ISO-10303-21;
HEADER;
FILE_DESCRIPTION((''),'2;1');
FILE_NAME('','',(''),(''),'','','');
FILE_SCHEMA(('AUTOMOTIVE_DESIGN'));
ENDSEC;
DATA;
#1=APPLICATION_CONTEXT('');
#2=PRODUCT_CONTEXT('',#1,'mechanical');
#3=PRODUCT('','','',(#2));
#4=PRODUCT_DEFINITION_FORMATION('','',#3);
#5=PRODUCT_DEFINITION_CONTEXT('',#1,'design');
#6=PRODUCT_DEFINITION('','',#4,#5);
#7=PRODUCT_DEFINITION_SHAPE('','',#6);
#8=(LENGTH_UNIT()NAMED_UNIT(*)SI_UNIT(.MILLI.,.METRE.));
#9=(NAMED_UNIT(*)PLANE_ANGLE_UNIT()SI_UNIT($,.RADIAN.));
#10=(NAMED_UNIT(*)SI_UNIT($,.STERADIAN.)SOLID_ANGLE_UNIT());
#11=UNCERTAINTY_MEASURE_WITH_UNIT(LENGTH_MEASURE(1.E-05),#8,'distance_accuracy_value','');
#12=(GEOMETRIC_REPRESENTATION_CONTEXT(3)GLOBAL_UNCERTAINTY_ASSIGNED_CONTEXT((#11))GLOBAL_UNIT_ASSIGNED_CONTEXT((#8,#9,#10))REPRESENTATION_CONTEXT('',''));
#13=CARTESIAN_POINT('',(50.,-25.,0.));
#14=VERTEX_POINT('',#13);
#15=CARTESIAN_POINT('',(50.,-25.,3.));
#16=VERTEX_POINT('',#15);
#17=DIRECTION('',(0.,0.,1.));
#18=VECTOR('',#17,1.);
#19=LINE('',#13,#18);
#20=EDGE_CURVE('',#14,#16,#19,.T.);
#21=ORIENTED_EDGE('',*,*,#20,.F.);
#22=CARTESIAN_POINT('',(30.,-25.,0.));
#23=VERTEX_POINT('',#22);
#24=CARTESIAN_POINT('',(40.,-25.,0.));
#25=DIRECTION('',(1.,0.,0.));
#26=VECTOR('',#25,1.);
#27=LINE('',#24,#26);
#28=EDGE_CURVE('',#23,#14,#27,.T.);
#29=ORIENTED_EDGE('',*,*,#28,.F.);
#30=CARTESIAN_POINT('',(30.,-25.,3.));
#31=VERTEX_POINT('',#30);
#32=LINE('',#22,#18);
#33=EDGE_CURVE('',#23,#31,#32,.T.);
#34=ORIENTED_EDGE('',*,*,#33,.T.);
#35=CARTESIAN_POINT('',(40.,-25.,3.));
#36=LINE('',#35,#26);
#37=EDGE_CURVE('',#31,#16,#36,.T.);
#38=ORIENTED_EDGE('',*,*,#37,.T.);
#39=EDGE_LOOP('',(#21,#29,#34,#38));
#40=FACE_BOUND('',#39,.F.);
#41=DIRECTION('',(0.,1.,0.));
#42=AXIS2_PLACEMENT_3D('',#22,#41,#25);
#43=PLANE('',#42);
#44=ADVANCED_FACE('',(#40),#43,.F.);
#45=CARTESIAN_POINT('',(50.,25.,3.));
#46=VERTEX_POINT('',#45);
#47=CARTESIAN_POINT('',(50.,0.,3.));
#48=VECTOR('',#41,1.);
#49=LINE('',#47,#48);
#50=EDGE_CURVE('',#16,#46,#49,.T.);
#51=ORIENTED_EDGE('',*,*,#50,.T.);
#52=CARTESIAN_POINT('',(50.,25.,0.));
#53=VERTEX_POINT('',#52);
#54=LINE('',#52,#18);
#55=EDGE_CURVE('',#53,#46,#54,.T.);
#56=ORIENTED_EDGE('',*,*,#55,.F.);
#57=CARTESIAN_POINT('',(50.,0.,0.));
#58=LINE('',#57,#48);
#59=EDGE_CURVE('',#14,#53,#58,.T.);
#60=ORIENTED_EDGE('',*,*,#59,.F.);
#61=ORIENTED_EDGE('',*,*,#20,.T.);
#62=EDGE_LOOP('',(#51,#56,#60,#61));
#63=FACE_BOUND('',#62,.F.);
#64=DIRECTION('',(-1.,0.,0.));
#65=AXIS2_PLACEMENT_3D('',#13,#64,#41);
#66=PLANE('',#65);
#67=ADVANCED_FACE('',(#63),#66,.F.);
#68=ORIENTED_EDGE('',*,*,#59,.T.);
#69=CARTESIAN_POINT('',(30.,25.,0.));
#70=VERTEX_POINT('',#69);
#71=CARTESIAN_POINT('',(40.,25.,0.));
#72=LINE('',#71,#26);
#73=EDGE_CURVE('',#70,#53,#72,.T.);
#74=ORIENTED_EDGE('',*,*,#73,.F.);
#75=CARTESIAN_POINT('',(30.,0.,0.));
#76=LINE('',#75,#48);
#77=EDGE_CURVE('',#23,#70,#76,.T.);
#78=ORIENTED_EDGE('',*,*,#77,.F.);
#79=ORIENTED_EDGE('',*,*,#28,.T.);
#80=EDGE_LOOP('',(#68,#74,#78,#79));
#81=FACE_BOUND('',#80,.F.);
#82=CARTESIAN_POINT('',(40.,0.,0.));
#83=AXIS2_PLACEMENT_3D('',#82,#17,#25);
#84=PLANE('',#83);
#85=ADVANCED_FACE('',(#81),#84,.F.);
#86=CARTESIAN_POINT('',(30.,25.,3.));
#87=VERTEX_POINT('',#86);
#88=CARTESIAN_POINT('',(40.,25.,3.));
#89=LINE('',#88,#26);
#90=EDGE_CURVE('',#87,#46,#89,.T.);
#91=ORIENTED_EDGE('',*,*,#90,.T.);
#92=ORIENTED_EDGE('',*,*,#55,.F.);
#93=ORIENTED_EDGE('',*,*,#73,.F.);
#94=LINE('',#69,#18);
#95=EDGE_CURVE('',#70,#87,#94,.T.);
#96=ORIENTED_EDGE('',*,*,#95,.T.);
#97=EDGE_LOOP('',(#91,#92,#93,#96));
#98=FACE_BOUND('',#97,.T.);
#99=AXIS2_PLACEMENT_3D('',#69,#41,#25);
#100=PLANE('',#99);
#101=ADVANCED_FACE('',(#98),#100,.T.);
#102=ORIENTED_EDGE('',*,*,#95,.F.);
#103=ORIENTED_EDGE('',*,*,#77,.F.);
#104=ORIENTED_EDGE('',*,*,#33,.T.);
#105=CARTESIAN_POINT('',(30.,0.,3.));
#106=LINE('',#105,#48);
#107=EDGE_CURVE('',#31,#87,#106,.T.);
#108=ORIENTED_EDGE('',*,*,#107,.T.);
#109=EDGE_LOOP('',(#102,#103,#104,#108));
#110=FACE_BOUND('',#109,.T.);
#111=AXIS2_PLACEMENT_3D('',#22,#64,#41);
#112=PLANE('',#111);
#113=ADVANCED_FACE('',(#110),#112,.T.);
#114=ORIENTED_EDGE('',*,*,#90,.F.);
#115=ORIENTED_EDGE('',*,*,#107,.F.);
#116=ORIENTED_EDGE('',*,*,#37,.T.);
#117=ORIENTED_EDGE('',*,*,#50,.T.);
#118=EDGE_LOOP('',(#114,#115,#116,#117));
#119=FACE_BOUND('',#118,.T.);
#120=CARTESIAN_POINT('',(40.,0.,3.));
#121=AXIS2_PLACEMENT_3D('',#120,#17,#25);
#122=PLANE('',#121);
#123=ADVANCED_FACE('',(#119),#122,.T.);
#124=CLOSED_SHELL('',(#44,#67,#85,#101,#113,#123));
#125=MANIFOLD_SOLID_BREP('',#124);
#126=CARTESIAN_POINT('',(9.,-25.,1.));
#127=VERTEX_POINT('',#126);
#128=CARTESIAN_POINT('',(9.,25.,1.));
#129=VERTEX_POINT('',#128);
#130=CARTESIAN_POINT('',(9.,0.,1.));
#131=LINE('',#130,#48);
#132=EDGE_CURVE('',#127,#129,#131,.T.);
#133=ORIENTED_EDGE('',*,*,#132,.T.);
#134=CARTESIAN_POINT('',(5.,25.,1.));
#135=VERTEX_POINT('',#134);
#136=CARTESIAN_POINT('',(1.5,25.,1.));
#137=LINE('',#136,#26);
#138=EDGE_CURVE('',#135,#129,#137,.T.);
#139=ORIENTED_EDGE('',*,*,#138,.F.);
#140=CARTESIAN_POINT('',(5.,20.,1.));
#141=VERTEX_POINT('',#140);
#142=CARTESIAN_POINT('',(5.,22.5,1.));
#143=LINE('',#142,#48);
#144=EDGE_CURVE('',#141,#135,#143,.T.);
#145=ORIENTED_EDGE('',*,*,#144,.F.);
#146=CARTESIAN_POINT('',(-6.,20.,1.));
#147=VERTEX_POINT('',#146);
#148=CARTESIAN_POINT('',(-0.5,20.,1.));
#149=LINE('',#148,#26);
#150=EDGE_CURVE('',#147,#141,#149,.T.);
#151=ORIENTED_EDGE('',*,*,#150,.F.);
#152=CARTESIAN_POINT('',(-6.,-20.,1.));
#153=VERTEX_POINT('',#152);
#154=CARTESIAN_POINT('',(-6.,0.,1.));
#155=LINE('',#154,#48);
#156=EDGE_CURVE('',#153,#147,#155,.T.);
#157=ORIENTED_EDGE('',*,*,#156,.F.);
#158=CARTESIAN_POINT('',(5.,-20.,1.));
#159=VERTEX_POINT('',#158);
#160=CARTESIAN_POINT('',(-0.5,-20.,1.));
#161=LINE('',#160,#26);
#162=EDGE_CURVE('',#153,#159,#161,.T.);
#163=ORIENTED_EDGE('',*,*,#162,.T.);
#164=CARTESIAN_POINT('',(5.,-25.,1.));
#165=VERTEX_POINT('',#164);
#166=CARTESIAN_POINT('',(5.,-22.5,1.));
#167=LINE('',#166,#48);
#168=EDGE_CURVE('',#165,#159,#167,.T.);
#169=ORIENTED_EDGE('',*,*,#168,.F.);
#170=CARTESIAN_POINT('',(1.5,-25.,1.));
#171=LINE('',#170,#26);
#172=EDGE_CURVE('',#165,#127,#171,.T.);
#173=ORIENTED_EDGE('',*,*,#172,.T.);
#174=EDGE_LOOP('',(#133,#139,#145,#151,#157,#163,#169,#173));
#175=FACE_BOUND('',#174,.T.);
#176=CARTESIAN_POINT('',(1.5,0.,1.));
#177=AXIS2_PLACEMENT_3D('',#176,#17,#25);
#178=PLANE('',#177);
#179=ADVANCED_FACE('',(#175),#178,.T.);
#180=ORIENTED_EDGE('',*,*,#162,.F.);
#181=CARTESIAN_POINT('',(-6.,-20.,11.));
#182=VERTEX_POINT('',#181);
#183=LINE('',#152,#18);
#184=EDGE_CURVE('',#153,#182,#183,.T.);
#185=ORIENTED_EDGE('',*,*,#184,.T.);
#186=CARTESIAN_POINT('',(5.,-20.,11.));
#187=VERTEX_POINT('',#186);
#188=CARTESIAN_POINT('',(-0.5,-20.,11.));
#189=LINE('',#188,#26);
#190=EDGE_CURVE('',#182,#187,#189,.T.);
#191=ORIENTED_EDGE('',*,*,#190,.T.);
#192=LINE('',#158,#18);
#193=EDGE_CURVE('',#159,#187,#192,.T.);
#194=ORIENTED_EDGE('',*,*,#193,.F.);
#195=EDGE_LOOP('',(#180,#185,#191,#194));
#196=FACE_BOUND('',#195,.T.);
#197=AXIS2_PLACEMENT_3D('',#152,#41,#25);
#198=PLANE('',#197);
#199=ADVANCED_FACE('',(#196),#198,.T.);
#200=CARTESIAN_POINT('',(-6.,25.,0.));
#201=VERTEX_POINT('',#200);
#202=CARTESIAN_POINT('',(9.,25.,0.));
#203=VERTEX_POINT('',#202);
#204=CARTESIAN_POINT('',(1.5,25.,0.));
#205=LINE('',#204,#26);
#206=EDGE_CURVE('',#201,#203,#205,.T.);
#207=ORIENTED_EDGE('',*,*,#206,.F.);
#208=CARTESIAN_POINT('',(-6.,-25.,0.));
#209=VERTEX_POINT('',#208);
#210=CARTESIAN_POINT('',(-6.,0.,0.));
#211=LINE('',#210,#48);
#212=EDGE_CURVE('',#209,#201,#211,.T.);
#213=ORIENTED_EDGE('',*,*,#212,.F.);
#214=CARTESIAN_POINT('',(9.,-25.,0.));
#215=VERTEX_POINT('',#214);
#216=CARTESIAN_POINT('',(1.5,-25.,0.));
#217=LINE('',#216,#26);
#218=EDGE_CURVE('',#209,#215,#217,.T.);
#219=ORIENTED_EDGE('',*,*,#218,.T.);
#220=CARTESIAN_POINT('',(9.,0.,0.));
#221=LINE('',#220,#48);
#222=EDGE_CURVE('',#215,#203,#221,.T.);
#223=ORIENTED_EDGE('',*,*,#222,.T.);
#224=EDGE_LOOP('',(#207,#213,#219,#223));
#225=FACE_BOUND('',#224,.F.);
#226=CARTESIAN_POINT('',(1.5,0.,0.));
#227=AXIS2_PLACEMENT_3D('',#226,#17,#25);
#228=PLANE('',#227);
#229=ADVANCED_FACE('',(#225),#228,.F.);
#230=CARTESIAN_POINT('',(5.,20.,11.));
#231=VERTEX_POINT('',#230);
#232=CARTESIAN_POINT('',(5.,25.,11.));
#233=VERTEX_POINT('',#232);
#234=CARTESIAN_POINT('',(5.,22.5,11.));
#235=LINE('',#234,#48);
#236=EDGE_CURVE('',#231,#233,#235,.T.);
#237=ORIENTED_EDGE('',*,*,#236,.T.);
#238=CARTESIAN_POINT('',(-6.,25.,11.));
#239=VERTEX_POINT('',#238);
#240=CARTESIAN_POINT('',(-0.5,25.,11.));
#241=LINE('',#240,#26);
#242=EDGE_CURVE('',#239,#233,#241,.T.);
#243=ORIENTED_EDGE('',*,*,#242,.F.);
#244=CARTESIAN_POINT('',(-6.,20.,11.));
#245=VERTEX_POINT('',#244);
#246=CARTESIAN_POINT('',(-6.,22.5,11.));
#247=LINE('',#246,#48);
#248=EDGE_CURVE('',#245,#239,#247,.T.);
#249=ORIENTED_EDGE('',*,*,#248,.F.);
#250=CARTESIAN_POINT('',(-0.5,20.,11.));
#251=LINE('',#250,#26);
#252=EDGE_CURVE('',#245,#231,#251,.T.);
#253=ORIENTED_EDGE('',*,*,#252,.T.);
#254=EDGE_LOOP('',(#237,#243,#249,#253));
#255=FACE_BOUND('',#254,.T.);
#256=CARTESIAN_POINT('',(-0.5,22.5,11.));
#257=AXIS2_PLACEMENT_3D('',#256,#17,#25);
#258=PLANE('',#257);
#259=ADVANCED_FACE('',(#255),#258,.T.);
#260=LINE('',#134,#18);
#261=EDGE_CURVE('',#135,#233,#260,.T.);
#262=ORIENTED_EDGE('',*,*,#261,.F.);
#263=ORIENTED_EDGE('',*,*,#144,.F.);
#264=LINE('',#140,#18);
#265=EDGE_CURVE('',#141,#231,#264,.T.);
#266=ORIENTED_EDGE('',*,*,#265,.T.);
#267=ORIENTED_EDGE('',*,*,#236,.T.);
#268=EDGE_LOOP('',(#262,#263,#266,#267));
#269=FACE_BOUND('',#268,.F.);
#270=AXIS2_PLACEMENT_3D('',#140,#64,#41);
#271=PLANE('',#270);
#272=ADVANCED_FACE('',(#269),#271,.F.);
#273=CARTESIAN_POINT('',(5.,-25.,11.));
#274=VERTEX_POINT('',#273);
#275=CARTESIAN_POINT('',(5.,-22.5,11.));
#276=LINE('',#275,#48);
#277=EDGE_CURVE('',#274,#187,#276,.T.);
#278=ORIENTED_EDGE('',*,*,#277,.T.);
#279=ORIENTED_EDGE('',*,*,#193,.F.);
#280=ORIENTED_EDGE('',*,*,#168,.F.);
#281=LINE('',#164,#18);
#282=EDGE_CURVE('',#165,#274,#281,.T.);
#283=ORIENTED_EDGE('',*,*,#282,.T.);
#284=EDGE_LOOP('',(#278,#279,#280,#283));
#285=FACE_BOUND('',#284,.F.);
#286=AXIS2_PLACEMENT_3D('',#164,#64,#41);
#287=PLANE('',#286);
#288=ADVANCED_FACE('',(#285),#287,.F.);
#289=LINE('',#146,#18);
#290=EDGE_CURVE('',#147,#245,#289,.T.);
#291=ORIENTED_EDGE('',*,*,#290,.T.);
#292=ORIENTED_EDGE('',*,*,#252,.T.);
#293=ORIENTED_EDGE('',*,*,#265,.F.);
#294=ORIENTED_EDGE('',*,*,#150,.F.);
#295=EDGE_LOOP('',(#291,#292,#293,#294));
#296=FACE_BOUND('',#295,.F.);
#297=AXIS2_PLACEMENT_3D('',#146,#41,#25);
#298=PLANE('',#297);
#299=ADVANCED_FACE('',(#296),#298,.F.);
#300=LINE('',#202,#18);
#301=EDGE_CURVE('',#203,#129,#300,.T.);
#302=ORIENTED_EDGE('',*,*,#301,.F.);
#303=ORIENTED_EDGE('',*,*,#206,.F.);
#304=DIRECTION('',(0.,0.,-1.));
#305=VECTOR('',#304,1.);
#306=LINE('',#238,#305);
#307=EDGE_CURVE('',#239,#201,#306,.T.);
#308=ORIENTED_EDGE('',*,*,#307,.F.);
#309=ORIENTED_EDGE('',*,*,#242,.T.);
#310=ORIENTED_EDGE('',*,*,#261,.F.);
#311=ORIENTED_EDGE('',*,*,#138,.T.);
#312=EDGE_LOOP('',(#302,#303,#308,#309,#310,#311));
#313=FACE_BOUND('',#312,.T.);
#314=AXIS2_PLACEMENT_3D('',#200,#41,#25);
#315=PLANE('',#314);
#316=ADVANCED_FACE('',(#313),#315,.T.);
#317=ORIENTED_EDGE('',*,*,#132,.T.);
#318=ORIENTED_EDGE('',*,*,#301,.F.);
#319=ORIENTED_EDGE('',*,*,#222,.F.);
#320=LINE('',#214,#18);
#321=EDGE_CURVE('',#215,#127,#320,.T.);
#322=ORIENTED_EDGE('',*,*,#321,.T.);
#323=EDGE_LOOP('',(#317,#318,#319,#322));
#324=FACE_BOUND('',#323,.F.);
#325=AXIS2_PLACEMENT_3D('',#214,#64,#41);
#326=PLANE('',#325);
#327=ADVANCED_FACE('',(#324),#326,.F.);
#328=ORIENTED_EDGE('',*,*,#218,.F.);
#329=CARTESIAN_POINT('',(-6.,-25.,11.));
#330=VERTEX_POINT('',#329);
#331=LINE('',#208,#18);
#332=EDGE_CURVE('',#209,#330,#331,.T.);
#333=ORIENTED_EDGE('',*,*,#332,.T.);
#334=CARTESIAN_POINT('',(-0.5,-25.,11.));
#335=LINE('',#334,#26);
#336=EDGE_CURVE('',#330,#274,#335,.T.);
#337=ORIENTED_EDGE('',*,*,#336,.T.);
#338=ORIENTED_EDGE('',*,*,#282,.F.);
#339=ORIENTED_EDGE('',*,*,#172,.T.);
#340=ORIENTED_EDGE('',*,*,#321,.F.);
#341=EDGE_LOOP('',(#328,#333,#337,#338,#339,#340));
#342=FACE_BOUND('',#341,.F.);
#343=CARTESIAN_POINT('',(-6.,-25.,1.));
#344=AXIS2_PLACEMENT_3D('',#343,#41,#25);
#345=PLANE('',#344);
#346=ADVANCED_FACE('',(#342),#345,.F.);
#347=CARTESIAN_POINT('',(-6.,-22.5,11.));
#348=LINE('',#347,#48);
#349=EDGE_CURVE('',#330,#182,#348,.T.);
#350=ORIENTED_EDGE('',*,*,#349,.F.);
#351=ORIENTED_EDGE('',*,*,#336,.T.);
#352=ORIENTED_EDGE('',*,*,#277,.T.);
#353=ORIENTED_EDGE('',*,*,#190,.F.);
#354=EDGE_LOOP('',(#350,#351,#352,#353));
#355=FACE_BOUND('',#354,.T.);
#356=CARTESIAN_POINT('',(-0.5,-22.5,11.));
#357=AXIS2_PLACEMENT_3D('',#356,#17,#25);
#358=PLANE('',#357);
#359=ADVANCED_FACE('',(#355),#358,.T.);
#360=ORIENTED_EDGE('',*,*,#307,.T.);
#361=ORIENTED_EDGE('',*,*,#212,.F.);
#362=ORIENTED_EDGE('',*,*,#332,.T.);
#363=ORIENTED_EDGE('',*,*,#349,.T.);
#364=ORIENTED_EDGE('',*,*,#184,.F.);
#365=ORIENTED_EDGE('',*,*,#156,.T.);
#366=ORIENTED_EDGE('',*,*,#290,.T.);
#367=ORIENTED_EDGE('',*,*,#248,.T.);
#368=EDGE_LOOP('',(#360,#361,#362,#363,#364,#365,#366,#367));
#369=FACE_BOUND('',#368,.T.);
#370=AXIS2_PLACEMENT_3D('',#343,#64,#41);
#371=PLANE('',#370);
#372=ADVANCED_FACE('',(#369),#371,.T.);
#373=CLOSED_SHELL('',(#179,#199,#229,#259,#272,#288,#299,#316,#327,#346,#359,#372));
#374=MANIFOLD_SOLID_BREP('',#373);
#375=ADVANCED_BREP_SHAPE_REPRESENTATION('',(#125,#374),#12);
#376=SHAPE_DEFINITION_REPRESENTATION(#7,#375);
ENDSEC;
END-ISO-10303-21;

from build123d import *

# Parameters (mm, degrees)
F0_W     = 15
F0_H     = 50
F1_DEPTH = 1
F2_W     = 11
F2_H     = 5
F3_DEPTH = 10
F4_W     = 20
F4_H     = 50
F5_DEPTH = 3


with BuildPart() as f1:
    # F0 (on Top) → F1 (new body)
    with BuildSketch(Plane.XY):
        with Locations((1.5, 0)):
            Rectangle(F0_W, F0_H)
    extrude(amount=F1_DEPTH)

    # F2 (on face) → F3 (join)
    with BuildSketch(Plane.XY.offset(1)):
        with Locations((-0.5, -22.5)):
            Rectangle(F2_W, F2_H)
        with Locations((-0.5, 22.5)):
            Rectangle(F2_W, F2_H)
    extrude(amount=F3_DEPTH)


with BuildPart() as f5:
    # F4 (on Top) → F5 (new body)
    with BuildSketch(Plane.XY):
        with Locations((40, 0)):
            Rectangle(F4_W, F4_H)
    extrude(amount=F5_DEPTH)


solid = Compound([f1.part, f5.part])
